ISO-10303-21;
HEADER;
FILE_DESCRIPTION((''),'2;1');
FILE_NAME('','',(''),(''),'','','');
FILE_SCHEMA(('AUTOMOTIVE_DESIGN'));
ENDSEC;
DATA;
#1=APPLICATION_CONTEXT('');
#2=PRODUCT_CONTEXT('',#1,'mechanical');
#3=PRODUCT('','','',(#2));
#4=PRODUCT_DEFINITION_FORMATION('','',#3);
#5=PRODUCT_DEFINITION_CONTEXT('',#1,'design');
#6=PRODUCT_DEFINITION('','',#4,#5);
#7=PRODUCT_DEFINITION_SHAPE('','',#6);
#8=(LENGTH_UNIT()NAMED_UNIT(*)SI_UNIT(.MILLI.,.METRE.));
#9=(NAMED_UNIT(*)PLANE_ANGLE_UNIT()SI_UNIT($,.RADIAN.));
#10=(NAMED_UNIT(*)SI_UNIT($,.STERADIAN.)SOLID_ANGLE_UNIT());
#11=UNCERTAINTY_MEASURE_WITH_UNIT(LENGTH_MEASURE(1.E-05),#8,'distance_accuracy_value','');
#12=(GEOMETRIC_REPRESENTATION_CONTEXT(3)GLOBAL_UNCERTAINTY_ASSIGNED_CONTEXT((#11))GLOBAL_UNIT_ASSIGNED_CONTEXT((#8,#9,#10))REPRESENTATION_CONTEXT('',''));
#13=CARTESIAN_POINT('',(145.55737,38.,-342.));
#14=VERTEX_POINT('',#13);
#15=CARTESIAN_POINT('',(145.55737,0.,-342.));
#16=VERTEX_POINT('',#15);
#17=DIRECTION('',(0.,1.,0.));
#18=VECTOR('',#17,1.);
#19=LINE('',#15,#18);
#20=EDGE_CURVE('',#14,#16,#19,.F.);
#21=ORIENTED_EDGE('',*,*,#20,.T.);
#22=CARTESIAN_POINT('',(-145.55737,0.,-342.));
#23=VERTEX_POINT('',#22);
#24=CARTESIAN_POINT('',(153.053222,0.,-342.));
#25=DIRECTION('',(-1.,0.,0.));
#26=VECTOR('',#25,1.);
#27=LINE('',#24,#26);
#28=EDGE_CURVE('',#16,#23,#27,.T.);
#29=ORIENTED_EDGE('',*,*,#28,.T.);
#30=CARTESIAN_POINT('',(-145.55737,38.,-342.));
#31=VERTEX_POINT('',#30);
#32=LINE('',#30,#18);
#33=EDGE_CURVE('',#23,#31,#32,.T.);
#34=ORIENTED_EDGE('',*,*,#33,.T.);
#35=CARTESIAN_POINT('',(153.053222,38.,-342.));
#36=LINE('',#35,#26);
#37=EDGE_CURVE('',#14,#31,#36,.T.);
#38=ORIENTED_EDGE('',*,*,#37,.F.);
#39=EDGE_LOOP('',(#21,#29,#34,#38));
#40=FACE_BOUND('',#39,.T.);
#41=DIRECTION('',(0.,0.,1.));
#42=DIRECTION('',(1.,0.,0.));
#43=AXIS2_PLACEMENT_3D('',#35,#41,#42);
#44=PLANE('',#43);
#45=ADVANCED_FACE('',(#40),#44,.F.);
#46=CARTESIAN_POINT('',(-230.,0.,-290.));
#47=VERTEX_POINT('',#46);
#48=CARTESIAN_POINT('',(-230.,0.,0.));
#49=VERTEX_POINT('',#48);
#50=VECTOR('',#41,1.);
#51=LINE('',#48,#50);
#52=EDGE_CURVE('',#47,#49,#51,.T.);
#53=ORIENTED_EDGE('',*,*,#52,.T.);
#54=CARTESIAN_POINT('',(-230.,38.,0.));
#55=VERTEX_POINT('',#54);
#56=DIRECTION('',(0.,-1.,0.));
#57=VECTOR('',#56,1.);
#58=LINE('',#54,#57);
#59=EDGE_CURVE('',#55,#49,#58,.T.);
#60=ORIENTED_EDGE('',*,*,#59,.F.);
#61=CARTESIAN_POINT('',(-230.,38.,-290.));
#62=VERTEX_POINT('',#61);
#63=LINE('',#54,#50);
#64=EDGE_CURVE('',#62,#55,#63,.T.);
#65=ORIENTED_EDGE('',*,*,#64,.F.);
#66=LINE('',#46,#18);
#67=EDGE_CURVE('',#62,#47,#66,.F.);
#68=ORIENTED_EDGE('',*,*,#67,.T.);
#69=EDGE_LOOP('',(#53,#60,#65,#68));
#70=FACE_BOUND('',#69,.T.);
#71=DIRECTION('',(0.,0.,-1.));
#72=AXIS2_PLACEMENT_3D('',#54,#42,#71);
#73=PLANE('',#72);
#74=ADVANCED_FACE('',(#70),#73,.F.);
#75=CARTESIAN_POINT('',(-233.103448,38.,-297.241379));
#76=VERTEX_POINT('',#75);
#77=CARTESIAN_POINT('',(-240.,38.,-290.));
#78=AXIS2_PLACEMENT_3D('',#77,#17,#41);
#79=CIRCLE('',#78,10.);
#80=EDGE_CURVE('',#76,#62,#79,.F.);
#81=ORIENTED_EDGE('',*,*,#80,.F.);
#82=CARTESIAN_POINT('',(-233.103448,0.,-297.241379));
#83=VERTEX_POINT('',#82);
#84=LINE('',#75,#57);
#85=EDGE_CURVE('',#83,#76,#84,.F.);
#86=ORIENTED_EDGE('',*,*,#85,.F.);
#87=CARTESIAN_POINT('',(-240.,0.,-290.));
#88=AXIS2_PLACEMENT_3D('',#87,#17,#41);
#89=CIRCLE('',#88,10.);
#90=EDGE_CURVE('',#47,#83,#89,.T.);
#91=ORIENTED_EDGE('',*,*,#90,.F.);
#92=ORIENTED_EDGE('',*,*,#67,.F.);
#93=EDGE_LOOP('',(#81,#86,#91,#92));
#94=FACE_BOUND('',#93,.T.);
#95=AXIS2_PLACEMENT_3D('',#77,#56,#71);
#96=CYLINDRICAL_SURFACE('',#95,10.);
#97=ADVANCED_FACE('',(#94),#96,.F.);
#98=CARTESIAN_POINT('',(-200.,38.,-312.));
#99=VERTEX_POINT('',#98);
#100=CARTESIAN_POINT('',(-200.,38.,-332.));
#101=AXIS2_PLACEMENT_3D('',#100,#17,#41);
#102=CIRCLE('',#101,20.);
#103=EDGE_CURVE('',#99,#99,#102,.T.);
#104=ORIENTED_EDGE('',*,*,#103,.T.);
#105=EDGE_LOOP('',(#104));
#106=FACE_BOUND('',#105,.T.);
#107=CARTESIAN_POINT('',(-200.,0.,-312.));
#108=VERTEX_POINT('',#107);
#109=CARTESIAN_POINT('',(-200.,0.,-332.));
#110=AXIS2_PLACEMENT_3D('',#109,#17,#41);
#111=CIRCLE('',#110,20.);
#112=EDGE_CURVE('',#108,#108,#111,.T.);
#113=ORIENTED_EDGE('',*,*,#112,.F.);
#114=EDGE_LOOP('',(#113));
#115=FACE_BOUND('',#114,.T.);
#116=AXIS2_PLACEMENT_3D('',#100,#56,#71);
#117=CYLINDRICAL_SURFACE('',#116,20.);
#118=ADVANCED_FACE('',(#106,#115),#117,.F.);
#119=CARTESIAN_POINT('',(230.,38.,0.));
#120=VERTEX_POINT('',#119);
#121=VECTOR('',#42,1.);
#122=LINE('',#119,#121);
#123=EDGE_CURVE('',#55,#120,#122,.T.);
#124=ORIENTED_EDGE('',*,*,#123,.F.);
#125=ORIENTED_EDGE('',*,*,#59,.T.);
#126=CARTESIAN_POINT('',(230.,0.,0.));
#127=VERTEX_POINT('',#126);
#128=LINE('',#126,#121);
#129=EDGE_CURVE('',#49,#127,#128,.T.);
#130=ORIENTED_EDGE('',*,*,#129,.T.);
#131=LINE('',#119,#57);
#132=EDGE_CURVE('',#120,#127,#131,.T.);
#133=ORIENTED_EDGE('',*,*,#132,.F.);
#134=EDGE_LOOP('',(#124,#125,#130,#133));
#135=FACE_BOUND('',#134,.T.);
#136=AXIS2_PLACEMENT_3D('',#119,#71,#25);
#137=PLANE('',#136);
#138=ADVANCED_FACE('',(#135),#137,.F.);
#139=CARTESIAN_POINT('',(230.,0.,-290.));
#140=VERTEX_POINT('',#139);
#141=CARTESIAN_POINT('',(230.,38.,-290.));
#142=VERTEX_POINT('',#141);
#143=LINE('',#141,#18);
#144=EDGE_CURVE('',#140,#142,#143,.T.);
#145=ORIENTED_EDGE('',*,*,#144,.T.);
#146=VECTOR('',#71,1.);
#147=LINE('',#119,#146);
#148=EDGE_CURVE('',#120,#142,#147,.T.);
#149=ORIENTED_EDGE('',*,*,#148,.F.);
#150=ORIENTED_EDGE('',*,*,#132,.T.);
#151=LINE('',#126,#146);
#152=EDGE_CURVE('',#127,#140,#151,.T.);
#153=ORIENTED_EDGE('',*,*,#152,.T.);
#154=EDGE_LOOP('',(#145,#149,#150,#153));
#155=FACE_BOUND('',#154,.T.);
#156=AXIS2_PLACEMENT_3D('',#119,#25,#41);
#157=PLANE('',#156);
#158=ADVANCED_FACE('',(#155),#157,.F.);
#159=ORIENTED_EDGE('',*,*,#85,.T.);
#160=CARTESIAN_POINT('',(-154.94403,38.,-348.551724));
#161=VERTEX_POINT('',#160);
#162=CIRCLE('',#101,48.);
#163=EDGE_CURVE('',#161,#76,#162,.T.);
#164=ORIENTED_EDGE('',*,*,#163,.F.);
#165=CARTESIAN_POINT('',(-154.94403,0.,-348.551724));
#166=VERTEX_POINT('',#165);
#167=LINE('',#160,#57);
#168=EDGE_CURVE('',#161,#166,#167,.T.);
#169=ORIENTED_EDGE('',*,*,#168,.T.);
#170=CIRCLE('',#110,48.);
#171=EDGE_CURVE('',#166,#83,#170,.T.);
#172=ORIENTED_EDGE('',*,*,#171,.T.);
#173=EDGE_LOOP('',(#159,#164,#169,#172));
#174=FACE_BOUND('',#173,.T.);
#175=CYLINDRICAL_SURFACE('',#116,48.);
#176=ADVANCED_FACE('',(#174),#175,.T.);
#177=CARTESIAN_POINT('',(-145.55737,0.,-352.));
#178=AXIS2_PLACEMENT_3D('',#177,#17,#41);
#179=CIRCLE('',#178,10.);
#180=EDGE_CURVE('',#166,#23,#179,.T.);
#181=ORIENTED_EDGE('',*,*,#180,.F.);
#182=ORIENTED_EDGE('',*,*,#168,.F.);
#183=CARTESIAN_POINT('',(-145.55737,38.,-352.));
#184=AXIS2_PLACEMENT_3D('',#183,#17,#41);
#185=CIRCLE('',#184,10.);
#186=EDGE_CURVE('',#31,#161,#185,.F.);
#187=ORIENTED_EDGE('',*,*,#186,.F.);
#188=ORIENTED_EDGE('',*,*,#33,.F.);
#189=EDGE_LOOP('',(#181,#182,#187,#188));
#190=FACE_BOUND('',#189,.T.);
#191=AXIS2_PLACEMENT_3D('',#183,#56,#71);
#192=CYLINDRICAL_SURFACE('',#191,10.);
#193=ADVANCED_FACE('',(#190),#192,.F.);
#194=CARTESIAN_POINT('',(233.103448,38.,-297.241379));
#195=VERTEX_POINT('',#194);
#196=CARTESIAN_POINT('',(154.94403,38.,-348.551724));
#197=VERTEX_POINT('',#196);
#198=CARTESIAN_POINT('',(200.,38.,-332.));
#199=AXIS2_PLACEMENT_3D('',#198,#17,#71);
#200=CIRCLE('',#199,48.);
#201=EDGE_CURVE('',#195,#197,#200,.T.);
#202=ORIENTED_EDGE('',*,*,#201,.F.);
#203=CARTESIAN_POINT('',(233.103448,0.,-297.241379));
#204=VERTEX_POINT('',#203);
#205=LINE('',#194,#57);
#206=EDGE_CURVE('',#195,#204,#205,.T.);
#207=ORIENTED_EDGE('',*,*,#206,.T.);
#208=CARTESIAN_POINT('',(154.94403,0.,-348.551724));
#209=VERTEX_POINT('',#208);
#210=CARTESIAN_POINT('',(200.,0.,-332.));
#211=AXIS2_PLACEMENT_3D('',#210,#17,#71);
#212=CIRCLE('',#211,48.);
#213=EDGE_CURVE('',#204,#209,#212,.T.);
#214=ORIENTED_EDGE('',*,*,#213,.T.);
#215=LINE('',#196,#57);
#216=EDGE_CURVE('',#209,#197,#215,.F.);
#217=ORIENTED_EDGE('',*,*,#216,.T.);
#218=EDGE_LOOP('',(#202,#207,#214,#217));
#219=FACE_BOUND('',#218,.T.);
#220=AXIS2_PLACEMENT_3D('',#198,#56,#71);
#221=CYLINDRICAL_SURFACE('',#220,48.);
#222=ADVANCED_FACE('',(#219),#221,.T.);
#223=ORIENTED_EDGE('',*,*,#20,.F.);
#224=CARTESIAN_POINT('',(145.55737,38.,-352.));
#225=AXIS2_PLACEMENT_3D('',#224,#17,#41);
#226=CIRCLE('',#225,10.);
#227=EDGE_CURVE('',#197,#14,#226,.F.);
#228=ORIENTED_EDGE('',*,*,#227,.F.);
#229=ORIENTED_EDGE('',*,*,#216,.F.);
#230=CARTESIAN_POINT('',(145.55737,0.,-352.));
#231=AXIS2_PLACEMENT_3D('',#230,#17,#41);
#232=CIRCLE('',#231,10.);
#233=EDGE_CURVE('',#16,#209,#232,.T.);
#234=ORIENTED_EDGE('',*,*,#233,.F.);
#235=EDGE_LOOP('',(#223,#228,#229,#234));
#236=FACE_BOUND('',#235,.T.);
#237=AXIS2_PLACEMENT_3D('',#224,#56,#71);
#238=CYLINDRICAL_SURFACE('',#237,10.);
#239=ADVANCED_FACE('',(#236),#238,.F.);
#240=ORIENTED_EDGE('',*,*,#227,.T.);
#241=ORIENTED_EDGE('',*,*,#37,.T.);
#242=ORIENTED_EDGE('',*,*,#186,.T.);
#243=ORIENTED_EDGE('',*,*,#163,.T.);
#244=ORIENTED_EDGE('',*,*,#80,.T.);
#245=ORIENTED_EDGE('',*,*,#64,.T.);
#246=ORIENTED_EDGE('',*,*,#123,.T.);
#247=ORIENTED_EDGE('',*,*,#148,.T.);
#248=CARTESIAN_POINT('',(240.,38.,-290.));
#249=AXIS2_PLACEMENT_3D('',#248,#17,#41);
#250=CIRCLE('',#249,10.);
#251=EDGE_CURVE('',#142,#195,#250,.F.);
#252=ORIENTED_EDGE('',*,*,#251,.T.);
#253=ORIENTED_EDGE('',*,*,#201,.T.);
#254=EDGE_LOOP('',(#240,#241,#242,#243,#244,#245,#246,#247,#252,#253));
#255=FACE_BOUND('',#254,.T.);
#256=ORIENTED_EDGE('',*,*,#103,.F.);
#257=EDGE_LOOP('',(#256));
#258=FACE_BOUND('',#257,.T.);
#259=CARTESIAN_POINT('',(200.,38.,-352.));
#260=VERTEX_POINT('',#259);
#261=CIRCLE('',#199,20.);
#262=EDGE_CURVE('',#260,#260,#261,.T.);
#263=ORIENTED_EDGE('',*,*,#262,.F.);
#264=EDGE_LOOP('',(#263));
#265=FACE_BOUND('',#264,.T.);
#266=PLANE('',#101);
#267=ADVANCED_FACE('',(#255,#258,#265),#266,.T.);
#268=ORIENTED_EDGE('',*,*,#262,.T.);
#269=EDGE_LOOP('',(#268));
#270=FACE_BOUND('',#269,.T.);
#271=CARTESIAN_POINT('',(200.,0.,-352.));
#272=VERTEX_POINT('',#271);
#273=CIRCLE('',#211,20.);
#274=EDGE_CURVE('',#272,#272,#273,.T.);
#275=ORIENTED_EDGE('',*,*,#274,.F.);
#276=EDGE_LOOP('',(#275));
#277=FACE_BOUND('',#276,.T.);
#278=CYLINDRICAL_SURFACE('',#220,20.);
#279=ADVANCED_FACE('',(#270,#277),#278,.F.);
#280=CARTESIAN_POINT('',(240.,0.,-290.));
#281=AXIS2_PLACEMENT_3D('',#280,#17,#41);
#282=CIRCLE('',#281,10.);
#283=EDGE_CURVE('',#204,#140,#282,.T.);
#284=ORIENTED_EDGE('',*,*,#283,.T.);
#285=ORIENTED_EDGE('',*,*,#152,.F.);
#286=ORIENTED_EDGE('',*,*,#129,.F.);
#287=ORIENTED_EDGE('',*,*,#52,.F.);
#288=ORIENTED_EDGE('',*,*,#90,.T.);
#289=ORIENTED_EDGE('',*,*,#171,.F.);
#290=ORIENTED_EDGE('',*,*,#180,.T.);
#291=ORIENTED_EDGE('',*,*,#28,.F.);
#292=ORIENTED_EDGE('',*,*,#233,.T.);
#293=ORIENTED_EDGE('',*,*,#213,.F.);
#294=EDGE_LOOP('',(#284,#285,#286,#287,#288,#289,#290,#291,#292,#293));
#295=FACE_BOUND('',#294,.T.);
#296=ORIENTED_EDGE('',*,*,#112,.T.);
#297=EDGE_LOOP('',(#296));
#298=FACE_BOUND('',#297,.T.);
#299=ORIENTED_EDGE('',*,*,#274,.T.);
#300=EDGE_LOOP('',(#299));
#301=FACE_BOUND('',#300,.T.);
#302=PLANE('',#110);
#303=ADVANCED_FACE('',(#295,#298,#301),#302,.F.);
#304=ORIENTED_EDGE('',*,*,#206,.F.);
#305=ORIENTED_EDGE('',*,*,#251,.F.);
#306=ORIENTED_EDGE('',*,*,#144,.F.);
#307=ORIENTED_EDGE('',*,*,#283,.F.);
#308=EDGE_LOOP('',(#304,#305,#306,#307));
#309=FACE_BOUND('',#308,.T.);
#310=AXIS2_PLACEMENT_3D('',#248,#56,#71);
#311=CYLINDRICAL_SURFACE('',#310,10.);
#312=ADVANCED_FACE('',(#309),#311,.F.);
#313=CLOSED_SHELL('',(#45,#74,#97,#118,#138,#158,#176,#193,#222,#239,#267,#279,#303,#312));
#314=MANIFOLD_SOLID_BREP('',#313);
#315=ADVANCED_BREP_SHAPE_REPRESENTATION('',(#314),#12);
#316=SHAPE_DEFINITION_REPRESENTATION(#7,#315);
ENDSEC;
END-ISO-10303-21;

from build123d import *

# Parameters (mm, degrees)
SKETCH1_R           = 20
BOSS_EXTRUDE1_DEPTH = 38
FILLET1_R           = 10


with BuildPart() as part:
    # Sketch1 → Boss-Extrude1 (new body)
    with BuildSketch(Plane(origin=(0, 0, 0), x_dir=(1, 0, 0), z_dir=(0, 1, 0))):
        with BuildLine():
            Line((230, 0), (-230, 0))
            Line((-230, 0), (-230, 294.53001201))
            ThreePointArc((-230, 294.53001201), (-225.20214801, 372.851581802), (-153.053221623, 342))
            Line((-153.053221623, 342), (153.053221623, 342))
            ThreePointArc((153.053221623, 342), (225.20214801, 372.851581802), (230, 294.53001201))
            Line((230, 294.53001201), (230, 0))
        make_face()
        with Locations((-200, 332)):
            Circle(SKETCH1_R, mode=Mode.SUBTRACT)
        with Locations((200, 332)):
            Circle(SKETCH1_R, mode=Mode.SUBTRACT)
    extrude(amount=BOSS_EXTRUDE1_DEPTH)

    # Fillet1
    fillet1_edges = [part.edges().sort_by_distance(p)[0] for p in [
        (-230, 19, -294.53001201),
        (-153.053221623, 19, -342),
        (153.053221623, 19, -342),
        (230, 19, -294.53001201),
    ]]
    fillet(fillet1_edges, radius=FILLET1_R)


solid = part.part
